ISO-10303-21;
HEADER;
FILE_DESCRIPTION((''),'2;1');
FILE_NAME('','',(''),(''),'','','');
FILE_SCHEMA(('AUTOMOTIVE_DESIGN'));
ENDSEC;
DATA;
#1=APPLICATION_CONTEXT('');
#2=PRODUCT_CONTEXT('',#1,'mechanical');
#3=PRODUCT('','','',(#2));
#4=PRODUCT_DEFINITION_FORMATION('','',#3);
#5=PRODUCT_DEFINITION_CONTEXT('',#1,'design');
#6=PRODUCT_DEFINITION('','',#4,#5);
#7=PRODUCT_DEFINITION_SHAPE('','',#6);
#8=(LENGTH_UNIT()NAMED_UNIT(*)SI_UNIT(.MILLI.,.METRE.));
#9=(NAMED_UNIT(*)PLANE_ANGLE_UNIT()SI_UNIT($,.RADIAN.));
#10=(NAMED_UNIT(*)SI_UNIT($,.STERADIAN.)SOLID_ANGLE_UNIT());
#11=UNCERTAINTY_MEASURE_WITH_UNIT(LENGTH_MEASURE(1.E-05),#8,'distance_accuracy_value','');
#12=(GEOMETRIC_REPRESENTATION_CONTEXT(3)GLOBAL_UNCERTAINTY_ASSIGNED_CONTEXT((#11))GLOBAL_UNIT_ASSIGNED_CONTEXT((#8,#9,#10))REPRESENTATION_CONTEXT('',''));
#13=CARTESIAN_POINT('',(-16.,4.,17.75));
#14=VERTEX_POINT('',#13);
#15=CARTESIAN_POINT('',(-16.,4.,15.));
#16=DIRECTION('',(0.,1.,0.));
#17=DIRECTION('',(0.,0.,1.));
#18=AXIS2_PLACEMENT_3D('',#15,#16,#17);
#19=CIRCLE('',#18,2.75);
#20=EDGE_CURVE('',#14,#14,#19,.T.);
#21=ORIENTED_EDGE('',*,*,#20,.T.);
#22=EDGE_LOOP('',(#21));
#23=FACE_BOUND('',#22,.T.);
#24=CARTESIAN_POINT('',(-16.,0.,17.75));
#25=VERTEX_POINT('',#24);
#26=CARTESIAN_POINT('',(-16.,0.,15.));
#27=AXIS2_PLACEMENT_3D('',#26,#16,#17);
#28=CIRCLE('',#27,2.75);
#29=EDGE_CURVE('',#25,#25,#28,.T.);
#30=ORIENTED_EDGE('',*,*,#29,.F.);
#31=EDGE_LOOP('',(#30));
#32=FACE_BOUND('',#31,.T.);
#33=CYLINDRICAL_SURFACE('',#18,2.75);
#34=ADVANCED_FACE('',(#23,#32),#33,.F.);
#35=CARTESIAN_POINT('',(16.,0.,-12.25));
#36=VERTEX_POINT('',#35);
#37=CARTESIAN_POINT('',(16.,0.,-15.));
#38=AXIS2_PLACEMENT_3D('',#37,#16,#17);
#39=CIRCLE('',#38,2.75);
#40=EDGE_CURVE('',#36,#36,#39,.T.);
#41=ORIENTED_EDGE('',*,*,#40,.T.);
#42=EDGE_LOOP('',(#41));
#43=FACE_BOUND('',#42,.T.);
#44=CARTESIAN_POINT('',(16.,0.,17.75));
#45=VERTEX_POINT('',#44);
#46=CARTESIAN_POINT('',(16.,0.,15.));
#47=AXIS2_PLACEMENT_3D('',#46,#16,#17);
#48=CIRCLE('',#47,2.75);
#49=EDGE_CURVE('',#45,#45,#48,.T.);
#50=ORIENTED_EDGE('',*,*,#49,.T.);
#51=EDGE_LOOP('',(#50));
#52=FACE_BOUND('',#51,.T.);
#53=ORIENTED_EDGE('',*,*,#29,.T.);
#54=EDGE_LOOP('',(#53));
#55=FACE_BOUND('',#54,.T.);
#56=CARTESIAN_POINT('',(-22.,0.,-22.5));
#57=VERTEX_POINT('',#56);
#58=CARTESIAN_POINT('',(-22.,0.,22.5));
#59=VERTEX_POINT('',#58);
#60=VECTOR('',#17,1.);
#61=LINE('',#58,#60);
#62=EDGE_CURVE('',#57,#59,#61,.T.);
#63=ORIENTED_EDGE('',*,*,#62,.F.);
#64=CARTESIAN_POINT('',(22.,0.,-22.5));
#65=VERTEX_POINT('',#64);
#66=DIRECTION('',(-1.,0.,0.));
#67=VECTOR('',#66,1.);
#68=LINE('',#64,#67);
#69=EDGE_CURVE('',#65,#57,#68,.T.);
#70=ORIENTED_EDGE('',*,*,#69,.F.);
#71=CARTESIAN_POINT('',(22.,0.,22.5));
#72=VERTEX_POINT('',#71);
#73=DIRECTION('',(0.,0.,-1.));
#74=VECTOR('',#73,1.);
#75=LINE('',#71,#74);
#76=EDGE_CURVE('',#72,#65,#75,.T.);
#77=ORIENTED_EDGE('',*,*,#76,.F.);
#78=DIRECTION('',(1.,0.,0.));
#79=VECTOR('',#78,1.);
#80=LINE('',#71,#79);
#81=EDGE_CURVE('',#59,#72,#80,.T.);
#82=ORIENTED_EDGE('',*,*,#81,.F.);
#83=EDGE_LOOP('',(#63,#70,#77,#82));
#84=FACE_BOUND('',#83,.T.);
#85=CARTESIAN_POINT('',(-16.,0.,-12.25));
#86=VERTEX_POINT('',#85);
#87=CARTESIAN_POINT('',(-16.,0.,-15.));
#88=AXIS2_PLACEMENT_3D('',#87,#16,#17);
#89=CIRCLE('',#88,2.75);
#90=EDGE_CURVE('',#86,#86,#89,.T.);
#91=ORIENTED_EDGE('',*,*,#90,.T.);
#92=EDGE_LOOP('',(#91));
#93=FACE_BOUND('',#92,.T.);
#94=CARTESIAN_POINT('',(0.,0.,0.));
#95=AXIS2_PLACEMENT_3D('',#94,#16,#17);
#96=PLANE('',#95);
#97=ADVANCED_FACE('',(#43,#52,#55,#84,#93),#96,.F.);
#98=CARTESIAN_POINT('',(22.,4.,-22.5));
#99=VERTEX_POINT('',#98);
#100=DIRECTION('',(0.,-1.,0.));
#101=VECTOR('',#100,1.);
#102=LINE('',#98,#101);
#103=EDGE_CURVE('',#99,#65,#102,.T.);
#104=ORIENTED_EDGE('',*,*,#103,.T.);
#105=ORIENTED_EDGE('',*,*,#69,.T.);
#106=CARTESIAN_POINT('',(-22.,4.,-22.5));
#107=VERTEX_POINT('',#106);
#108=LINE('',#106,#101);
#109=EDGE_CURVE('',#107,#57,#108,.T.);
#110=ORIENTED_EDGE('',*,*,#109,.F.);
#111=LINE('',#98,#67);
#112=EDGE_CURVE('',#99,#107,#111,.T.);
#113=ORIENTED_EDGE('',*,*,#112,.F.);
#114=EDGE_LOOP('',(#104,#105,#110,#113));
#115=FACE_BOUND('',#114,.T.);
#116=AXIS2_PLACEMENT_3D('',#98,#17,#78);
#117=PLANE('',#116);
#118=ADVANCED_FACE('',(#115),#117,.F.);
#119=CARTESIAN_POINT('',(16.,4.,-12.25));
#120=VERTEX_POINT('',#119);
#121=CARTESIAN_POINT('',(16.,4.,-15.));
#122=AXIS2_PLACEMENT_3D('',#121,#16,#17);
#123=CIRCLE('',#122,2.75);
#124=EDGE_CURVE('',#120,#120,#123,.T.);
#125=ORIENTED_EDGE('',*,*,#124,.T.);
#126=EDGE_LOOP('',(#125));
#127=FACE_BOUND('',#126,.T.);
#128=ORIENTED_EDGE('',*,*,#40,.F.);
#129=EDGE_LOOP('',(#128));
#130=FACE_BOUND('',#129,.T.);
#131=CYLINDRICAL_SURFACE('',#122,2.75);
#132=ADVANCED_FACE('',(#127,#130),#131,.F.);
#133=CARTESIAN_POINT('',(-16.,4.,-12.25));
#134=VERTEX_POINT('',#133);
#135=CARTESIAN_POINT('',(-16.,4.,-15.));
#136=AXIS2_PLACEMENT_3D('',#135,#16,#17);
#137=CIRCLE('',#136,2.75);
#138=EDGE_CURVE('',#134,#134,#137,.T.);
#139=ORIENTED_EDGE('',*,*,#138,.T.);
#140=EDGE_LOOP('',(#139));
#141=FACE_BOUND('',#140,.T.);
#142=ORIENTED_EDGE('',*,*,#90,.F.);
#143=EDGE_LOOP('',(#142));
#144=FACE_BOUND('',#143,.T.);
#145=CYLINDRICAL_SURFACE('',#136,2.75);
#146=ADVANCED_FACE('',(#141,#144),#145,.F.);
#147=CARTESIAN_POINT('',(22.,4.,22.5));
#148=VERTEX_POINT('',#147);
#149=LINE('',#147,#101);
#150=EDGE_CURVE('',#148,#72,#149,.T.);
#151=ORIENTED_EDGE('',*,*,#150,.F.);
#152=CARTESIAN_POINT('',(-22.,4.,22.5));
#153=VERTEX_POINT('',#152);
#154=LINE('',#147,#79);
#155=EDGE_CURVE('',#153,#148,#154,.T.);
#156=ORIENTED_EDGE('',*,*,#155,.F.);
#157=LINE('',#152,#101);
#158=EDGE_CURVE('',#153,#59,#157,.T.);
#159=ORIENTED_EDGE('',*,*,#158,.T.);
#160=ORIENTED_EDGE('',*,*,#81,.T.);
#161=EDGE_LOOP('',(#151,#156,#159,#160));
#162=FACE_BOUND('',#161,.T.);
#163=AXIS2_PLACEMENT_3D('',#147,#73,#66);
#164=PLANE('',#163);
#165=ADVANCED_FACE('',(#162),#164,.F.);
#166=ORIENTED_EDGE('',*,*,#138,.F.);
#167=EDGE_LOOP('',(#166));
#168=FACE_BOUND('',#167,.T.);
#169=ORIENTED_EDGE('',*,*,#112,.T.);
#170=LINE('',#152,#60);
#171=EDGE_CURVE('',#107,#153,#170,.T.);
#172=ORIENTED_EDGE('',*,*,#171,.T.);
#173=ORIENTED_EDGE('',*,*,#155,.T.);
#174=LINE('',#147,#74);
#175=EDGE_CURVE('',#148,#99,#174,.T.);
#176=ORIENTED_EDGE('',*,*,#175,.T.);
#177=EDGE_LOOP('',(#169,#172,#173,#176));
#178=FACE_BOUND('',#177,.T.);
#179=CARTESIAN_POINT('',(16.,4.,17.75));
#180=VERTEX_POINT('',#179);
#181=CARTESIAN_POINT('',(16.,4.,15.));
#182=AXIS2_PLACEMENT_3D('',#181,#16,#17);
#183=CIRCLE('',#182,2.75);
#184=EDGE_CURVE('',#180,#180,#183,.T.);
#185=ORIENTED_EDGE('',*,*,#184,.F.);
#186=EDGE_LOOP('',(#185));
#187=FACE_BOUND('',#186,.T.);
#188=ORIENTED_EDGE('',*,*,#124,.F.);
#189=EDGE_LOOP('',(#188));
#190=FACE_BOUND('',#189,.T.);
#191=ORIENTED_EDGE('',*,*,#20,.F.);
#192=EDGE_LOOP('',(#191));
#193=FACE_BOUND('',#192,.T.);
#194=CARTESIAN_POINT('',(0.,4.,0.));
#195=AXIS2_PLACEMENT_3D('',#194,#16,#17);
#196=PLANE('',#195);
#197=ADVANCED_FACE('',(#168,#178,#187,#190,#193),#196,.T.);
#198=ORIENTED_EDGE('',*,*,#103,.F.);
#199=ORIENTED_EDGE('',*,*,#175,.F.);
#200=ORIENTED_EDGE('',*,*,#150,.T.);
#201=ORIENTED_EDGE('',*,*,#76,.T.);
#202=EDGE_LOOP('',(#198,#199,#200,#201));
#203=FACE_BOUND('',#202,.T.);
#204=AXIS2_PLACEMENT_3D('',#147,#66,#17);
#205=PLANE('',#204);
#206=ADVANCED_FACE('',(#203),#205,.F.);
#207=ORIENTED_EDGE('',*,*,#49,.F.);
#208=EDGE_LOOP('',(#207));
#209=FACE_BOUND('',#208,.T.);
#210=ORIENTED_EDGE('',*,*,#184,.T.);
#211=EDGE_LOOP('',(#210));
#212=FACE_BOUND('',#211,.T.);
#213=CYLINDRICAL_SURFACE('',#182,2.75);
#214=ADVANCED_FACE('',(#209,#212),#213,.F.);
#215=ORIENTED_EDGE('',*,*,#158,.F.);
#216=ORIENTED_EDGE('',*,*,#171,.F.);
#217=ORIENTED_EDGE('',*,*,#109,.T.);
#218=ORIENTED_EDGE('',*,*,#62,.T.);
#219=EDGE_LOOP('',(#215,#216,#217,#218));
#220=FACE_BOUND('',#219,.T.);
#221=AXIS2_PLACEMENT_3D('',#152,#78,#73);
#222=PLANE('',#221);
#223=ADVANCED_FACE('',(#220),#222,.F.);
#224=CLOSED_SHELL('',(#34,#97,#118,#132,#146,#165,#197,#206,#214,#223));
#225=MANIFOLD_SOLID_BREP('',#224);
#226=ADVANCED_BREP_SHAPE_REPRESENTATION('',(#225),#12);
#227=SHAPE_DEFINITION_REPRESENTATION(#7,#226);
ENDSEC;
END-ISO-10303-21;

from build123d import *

# Parameters (mm, degrees)
SKETCH1_W            = 44
SKETCH1_H            = 45
BOSS_EXTRUDE1_DEPTH  = 4
M5_CLEARANCE_HOLE1_D = 5.5


with BuildPart() as part:
    # Sketch1 → Boss-Extrude1 (new body)
    with BuildSketch(Plane(origin=(0, 0, 0), x_dir=(1, 0, 0), z_dir=(0, 1, 0))):
        Rectangle(SKETCH1_W, SKETCH1_H)
    extrude(amount=BOSS_EXTRUDE1_DEPTH)

    # M5 Clearance Hole1 (through all)
    with Locations(Plane(origin=(0, 4, 0), x_dir=(1, 0, 0), z_dir=(0, 1, 0))):
        with Locations((-16, -15), (-16, 15), (16, 15), (16, -15)):
            Hole(M5_CLEARANCE_HOLE1_D / 2)


solid = part.part
